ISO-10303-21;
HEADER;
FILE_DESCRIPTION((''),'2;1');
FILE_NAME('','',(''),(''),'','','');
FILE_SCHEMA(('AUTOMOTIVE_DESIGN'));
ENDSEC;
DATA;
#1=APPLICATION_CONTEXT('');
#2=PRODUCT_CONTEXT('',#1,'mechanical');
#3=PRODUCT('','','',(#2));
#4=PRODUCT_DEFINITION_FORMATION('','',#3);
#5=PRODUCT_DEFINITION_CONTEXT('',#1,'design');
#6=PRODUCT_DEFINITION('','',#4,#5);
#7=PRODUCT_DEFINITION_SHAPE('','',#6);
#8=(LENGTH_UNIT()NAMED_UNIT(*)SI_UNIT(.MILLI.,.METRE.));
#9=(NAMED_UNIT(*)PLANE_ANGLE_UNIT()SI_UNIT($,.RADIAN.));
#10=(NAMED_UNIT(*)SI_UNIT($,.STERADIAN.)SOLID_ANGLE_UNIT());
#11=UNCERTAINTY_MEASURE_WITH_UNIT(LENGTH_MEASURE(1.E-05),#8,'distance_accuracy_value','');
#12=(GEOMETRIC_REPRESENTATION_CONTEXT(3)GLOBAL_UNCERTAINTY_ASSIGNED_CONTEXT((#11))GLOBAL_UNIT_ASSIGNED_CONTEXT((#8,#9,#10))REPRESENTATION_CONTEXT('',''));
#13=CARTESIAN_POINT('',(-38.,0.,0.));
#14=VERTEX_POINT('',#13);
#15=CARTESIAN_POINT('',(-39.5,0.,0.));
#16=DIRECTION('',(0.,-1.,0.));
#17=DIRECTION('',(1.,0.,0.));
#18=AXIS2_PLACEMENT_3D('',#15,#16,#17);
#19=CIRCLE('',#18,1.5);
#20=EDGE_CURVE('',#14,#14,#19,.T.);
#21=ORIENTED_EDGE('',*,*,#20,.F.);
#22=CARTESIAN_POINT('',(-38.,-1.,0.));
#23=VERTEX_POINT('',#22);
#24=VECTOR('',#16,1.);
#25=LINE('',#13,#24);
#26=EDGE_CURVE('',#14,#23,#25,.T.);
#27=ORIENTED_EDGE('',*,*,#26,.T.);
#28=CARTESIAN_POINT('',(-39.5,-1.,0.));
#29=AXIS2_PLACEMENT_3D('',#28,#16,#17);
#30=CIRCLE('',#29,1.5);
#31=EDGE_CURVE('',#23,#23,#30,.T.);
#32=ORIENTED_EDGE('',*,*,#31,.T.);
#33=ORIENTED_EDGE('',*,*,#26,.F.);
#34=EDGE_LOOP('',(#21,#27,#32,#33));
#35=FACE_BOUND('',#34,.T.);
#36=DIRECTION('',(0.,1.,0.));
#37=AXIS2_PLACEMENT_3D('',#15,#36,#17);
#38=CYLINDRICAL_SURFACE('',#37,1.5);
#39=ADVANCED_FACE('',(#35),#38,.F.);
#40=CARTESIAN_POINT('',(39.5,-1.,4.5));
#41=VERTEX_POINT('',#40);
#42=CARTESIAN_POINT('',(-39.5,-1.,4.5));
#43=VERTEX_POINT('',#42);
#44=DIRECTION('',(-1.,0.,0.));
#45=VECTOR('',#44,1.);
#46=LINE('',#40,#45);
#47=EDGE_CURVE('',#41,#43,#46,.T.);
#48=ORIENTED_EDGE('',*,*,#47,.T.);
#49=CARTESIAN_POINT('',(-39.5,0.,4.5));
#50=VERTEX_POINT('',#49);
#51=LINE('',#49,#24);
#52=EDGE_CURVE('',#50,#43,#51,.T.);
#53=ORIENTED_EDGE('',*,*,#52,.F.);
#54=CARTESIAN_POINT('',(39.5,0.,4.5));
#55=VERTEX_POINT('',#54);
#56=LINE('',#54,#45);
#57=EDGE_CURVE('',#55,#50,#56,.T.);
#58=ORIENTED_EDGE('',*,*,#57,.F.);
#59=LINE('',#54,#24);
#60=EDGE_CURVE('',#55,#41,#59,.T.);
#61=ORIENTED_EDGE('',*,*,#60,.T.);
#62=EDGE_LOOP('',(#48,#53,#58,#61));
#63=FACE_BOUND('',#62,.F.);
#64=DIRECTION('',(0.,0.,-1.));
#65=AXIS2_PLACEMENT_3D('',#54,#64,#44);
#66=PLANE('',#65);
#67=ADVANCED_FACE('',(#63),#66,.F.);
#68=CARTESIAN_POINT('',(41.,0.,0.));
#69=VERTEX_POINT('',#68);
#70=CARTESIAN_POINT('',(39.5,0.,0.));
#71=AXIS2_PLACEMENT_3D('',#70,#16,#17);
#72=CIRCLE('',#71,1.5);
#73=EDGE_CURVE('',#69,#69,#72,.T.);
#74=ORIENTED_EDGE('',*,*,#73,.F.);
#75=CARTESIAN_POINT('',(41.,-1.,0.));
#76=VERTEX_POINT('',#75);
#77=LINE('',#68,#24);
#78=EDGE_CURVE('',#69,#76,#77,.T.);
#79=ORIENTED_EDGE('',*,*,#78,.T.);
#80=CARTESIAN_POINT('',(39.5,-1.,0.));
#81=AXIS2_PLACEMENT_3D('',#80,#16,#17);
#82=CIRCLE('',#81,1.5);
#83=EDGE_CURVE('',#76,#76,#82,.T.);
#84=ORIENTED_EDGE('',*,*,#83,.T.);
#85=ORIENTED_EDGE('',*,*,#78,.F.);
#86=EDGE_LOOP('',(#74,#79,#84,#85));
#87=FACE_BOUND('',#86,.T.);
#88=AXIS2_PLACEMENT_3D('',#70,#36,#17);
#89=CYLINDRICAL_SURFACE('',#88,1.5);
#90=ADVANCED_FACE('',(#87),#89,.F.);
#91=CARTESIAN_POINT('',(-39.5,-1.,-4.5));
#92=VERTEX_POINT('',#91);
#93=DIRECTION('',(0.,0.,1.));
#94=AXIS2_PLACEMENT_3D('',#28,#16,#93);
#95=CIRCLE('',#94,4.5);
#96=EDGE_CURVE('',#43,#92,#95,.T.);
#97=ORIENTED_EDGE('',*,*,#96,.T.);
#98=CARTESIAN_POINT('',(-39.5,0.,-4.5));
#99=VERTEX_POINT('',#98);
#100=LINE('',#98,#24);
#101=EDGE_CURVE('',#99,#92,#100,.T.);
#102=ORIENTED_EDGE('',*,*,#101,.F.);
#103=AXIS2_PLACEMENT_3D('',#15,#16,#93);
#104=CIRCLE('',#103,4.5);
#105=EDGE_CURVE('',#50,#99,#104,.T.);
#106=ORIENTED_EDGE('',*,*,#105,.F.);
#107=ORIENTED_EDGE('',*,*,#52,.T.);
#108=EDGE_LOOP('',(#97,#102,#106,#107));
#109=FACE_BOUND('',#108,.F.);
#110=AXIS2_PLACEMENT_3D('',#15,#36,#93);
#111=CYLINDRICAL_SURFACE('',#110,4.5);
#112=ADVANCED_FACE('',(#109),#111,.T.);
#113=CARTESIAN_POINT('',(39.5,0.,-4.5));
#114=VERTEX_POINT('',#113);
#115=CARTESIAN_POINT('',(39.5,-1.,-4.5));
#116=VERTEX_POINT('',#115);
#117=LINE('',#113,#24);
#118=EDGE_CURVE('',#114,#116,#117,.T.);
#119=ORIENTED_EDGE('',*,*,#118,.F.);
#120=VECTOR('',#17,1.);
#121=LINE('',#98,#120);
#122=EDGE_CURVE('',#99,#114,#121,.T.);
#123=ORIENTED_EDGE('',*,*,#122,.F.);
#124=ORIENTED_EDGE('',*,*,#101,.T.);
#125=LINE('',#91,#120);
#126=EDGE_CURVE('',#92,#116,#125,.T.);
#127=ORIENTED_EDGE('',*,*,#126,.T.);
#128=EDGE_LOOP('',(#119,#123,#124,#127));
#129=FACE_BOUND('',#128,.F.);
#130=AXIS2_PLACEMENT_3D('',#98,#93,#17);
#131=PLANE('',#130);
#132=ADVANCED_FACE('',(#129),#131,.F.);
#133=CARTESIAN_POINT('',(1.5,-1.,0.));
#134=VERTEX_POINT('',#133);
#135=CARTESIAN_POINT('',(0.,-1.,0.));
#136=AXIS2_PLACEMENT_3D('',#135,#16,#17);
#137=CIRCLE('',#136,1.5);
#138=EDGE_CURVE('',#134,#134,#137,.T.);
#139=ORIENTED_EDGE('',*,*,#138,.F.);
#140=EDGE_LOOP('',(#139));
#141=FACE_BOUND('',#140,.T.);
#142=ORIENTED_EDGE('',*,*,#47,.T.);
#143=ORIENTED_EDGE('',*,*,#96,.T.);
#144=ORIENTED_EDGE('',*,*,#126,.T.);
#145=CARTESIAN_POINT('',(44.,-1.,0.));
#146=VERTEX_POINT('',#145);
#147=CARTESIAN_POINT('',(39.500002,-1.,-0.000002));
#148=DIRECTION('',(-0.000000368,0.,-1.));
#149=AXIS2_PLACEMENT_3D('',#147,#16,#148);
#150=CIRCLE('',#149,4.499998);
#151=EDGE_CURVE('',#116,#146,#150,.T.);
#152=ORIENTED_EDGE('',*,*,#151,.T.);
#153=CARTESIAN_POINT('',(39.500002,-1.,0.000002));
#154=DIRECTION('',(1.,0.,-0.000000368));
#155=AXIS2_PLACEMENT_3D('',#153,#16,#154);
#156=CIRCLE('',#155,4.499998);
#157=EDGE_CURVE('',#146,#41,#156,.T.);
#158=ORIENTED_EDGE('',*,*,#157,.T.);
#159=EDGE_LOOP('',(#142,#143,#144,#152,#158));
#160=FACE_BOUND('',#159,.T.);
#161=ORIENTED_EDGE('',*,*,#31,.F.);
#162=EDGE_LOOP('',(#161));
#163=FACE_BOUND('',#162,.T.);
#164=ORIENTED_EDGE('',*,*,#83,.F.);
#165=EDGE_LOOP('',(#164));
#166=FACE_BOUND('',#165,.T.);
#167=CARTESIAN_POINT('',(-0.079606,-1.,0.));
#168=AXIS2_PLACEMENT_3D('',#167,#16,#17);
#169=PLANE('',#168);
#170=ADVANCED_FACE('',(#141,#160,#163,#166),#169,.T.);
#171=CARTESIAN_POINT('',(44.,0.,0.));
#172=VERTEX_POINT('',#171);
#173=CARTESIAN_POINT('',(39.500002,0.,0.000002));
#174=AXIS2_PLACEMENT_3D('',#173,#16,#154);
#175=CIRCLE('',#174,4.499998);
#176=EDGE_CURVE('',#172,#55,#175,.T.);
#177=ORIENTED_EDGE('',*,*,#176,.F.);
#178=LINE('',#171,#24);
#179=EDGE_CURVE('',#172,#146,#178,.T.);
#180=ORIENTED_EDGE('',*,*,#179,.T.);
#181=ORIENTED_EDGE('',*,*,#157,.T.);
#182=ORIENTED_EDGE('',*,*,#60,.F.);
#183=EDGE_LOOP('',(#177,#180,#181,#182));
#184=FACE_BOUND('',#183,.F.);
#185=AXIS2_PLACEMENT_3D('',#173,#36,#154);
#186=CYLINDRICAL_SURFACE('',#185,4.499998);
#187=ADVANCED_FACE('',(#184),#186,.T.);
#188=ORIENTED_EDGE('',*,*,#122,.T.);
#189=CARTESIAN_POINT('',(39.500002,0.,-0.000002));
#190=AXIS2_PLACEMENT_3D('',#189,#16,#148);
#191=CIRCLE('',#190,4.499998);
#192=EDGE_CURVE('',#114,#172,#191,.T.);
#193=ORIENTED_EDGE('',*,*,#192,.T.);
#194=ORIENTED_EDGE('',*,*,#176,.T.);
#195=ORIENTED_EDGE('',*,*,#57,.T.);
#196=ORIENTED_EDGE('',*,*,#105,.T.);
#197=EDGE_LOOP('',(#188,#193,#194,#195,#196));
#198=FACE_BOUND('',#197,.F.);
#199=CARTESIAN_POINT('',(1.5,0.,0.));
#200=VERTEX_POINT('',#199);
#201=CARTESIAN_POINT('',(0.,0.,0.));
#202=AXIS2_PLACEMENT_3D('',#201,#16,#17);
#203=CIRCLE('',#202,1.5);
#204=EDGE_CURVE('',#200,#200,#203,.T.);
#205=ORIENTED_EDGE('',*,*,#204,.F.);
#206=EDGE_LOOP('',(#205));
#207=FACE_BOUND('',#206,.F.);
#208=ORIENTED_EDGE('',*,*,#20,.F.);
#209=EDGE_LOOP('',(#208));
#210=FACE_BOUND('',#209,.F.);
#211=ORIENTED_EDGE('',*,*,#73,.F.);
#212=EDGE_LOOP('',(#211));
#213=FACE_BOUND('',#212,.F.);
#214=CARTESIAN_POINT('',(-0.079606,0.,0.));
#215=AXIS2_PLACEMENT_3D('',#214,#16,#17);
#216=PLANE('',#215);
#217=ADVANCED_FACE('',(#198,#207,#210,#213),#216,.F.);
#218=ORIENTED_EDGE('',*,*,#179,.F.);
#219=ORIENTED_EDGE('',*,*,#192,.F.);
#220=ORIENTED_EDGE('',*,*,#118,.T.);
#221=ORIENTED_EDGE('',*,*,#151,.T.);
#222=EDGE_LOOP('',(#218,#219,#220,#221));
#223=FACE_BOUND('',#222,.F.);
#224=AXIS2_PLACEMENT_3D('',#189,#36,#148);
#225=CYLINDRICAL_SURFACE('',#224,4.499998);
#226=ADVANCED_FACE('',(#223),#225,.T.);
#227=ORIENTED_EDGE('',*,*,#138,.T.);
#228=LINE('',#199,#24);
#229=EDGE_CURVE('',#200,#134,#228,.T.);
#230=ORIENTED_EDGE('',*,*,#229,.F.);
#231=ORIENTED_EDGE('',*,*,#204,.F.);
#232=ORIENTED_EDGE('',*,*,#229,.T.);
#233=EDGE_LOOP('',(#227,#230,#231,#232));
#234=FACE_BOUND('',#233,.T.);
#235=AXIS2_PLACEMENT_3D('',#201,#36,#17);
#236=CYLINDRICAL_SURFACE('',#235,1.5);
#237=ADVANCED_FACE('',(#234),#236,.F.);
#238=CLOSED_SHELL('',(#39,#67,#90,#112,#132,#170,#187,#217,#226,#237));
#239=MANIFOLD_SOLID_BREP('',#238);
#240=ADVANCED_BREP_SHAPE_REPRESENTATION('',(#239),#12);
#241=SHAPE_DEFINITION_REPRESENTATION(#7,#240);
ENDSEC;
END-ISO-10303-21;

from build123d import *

# Parameters (mm, degrees)
F0_R     = 1.5
F1_DEPTH = 1


with BuildPart() as f1:
    # F0 (on Front) → F1 (new body)
    with BuildSketch(Plane.XZ):
        with BuildLine():
            ThreePointArc((39.5, -4.5), (35, 0), (39.5, 4.5))
            Line((39.5, 4.5), (-39.5, 4.5))
            ThreePointArc((-39.5, 4.5), (-36.318019, 3.181981), (-35, 0))
            ThreePointArc((-35, 0), (-36.318019, -3.181981), (-39.5, -4.5))
            Line((-39.5, -4.5), (39.5, -4.5))
        make_face()
        Circle(F0_R, mode=Mode.SUBTRACT)
        with BuildLine():
            ThreePointArc((44, 0), (42.681981, 3.181981), (39.5, 4.5))
            ThreePointArc((39.5, 4.5), (35, 0), (39.5, -4.5))
            ThreePointArc((39.5, -4.5), (42.681981, -3.181981), (44, 0))
        make_face()
        with Locations((39.5, 0)):
            Circle(F0_R, mode=Mode.SUBTRACT)
        with BuildLine():
            ThreePointArc((-35, 0), (-36.318019, 3.181981), (-39.5, 4.5))
            ThreePointArc((-39.5, 4.5), (-44, 0), (-39.5, -4.5))
            ThreePointArc((-39.5, -4.5), (-36.318019, -3.181981), (-35, 0))
        make_face()
        with Locations((-39.5, 0)):
            Circle(F0_R, mode=Mode.SUBTRACT)
    extrude(amount=F1_DEPTH)


solid = f1.part
